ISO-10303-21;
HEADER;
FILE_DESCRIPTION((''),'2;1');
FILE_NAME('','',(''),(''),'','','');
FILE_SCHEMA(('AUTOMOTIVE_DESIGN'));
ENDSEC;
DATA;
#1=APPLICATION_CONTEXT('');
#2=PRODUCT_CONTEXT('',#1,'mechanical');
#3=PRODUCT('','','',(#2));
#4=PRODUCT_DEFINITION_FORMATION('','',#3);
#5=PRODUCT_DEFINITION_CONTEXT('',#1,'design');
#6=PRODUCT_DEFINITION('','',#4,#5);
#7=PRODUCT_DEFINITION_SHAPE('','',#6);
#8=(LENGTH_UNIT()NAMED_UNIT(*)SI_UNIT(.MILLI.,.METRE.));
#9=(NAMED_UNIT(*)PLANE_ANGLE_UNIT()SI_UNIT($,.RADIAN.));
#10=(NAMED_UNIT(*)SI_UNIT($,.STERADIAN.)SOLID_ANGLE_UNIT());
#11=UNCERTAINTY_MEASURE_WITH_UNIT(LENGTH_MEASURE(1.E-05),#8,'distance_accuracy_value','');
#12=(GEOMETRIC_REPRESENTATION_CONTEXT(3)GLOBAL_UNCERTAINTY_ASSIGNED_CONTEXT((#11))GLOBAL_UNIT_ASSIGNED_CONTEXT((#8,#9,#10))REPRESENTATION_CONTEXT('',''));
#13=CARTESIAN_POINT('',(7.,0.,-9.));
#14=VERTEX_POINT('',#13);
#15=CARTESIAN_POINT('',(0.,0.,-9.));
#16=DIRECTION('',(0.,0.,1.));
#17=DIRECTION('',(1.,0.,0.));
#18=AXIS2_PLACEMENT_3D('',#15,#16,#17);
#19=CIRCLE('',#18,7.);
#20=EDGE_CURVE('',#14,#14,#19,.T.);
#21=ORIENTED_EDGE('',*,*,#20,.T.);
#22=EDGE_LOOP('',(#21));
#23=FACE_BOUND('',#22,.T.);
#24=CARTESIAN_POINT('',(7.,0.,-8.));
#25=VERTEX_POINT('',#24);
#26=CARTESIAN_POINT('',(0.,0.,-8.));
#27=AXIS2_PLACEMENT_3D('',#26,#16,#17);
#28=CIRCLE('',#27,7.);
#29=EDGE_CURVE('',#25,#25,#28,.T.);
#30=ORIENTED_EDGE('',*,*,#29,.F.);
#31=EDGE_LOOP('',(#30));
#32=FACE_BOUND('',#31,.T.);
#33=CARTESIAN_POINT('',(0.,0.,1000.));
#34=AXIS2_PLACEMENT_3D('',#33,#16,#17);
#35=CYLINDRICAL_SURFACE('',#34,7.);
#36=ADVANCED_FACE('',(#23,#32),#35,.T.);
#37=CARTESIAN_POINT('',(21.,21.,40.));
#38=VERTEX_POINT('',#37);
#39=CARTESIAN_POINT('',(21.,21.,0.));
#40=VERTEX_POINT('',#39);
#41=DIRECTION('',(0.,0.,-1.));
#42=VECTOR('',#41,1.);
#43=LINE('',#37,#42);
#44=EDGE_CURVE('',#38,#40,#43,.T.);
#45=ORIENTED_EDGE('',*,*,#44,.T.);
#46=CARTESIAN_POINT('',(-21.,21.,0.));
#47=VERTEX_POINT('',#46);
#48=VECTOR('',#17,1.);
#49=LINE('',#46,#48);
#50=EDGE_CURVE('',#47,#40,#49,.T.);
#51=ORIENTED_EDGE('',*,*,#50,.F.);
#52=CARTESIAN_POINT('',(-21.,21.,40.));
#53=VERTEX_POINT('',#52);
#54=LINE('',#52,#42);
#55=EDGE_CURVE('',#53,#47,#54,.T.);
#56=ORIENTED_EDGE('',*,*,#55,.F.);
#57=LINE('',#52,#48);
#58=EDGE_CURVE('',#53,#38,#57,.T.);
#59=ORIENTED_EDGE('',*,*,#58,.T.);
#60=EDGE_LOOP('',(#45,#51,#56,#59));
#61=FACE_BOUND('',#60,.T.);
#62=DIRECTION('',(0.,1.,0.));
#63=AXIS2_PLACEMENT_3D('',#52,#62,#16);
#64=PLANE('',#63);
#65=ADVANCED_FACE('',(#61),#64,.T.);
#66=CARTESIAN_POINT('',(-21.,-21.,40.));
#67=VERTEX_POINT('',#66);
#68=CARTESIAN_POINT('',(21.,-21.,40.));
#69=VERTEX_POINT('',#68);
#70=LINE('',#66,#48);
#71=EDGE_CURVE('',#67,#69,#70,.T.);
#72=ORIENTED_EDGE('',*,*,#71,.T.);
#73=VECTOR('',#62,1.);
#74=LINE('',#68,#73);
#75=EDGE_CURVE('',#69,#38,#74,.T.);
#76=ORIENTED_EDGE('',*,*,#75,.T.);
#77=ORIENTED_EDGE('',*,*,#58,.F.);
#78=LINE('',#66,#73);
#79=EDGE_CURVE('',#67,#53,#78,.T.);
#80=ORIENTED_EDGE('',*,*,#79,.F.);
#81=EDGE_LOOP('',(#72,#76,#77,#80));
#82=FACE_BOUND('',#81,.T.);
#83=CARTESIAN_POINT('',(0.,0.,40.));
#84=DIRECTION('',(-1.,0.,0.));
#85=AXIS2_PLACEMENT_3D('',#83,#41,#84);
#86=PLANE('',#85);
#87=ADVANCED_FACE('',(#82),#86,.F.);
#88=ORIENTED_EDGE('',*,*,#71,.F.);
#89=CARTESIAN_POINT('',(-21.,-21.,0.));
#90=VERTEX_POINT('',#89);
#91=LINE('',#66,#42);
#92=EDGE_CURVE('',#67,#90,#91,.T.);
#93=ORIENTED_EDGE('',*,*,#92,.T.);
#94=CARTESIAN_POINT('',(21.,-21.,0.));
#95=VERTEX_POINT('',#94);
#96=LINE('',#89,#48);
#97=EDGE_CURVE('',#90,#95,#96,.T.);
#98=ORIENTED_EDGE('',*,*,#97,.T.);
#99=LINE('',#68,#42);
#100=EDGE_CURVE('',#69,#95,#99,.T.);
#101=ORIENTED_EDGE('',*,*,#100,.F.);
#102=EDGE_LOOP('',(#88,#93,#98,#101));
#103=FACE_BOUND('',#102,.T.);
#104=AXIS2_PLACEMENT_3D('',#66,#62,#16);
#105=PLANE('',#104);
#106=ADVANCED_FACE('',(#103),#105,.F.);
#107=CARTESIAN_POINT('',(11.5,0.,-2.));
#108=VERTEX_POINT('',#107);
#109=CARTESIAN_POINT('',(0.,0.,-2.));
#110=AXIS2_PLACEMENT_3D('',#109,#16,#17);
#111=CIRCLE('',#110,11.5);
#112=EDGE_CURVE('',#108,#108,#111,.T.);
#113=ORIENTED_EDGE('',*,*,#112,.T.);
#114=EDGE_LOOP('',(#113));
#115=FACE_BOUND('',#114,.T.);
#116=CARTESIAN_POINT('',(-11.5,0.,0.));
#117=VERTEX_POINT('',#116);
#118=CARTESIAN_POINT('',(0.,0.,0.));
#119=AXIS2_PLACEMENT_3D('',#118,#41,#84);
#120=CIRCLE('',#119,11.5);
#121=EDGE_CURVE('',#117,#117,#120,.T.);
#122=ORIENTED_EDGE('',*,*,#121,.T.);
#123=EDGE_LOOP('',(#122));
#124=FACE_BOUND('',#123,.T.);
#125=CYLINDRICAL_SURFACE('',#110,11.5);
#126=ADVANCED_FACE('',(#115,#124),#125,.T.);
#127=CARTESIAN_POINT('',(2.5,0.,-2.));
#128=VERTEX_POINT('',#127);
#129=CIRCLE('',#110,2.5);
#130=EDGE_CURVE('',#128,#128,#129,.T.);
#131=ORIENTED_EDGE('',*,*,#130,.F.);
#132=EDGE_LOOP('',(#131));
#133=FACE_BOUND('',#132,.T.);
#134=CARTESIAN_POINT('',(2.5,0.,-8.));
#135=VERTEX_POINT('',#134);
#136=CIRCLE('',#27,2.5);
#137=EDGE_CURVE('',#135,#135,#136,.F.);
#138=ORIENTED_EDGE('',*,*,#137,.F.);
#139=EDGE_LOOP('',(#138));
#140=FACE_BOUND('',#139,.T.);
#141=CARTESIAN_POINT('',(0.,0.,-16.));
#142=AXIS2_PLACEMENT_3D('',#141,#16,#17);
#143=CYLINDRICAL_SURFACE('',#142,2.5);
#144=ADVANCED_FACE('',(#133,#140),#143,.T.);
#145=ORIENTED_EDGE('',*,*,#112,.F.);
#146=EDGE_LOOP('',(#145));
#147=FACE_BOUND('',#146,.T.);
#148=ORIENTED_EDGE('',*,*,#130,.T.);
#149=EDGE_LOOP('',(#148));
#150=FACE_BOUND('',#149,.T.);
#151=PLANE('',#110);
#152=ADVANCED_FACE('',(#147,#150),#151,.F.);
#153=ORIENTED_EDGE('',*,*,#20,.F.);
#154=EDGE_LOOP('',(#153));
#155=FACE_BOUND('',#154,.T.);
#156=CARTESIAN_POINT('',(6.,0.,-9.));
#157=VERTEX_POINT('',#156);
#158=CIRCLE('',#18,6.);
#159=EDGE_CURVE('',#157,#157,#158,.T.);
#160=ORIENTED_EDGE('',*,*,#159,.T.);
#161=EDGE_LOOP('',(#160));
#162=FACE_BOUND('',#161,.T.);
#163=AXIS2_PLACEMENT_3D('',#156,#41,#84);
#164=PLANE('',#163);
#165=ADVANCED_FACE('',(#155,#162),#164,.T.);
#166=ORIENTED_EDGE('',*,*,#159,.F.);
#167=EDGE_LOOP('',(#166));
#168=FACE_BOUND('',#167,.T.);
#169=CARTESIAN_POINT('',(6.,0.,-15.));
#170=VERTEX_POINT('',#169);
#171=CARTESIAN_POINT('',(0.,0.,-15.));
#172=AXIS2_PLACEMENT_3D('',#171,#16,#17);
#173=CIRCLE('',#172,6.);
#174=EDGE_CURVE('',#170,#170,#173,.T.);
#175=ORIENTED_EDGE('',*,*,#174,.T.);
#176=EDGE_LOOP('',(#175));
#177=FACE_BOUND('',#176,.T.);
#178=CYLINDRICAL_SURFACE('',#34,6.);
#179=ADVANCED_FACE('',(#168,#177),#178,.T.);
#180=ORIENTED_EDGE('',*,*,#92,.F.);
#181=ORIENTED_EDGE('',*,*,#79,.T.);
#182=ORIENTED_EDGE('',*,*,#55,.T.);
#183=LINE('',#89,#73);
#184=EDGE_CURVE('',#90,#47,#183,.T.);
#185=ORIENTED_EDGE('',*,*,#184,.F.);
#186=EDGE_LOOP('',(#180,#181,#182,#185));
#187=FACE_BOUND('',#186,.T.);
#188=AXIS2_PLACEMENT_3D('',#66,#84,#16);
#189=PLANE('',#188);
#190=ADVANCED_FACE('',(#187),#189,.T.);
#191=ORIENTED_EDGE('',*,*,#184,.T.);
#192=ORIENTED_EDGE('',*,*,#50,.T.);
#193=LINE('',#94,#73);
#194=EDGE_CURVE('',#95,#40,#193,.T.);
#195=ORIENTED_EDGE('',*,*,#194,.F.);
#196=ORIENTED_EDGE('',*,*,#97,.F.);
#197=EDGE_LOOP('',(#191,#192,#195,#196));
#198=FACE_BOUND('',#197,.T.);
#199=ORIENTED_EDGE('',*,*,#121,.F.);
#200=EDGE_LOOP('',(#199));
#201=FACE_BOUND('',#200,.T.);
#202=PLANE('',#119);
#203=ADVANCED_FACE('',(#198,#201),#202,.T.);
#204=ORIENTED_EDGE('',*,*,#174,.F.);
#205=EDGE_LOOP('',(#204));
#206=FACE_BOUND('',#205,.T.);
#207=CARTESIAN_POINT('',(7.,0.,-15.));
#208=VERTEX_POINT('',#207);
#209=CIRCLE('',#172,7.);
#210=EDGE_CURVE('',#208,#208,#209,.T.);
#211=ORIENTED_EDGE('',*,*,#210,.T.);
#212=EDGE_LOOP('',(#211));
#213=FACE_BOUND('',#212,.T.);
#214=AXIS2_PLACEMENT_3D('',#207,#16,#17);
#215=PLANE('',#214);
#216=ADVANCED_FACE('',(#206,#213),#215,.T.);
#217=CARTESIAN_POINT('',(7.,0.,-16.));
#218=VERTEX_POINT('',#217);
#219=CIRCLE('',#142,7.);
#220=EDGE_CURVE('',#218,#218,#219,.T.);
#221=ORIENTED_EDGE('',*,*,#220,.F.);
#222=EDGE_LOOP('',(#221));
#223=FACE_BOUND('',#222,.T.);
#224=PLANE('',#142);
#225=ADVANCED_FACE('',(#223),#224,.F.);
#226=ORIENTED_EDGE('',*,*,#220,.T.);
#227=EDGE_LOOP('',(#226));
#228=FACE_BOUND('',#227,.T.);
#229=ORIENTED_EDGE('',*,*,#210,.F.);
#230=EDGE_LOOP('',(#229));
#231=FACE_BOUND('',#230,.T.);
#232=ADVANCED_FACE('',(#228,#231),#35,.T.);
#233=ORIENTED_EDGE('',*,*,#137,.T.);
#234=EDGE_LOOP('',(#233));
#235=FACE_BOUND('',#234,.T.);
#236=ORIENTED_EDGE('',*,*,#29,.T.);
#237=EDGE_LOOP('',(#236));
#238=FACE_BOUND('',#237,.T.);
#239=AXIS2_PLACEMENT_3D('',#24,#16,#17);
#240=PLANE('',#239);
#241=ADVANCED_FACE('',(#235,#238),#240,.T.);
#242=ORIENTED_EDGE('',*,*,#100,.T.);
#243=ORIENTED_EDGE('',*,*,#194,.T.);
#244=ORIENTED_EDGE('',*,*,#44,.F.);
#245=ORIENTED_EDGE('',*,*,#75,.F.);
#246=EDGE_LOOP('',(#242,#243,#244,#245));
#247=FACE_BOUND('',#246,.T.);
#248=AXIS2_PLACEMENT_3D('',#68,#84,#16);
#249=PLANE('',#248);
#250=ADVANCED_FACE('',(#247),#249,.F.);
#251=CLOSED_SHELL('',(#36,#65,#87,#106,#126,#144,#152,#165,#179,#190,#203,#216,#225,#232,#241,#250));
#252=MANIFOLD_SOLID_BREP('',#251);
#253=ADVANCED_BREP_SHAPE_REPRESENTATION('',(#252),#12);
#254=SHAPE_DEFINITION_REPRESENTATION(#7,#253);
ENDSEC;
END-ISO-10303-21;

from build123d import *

# Parameters (mm, degrees)
SKETCH_1_W      = 42
SKETCH_1_H      = 42
EXTRUDE_1_DEPTH = 40
SKETCH_1_3_R    = 11.5
EXTRUDE_2_DEPTH = 2
SKETCH_1_4_R    = 2.5
EXTRUDE_3_DEPTH = 16


with BuildPart() as part:
    # 草图1 → 凸台-拉伸1 (new body)
    with BuildSketch(Plane.XY):
        Rectangle(SKETCH_1_W, SKETCH_1_H)
    extrude(amount=EXTRUDE_1_DEPTH)

    # 草图1<3> → 凸台-拉伸2 (add)
    with BuildSketch(Plane.XY):
        Circle(SKETCH_1_3_R)
    extrude(amount=-EXTRUDE_2_DEPTH)

    # 草图1<4> → 凸台-拉伸3 (add)
    with BuildSketch(Plane.XY):
        Circle(SKETCH_1_4_R)
    extrude(amount=-EXTRUDE_3_DEPTH)

    # 草图2 → 旋转1 (revolve)
    with BuildSketch(Plane(origin=(0, 0, 0), x_dir=(1, 0, 0), z_dir=(0, 1, 0))):
        Polygon((2.5, 16), (7, 16), (7, 15), (6, 15), (6, 9), (7, 9), (7, 8), (2.5, 8), align=None)
    revolve(axis=Axis((0, 0, 1000), (0, 0, -1)))


solid = part.part
